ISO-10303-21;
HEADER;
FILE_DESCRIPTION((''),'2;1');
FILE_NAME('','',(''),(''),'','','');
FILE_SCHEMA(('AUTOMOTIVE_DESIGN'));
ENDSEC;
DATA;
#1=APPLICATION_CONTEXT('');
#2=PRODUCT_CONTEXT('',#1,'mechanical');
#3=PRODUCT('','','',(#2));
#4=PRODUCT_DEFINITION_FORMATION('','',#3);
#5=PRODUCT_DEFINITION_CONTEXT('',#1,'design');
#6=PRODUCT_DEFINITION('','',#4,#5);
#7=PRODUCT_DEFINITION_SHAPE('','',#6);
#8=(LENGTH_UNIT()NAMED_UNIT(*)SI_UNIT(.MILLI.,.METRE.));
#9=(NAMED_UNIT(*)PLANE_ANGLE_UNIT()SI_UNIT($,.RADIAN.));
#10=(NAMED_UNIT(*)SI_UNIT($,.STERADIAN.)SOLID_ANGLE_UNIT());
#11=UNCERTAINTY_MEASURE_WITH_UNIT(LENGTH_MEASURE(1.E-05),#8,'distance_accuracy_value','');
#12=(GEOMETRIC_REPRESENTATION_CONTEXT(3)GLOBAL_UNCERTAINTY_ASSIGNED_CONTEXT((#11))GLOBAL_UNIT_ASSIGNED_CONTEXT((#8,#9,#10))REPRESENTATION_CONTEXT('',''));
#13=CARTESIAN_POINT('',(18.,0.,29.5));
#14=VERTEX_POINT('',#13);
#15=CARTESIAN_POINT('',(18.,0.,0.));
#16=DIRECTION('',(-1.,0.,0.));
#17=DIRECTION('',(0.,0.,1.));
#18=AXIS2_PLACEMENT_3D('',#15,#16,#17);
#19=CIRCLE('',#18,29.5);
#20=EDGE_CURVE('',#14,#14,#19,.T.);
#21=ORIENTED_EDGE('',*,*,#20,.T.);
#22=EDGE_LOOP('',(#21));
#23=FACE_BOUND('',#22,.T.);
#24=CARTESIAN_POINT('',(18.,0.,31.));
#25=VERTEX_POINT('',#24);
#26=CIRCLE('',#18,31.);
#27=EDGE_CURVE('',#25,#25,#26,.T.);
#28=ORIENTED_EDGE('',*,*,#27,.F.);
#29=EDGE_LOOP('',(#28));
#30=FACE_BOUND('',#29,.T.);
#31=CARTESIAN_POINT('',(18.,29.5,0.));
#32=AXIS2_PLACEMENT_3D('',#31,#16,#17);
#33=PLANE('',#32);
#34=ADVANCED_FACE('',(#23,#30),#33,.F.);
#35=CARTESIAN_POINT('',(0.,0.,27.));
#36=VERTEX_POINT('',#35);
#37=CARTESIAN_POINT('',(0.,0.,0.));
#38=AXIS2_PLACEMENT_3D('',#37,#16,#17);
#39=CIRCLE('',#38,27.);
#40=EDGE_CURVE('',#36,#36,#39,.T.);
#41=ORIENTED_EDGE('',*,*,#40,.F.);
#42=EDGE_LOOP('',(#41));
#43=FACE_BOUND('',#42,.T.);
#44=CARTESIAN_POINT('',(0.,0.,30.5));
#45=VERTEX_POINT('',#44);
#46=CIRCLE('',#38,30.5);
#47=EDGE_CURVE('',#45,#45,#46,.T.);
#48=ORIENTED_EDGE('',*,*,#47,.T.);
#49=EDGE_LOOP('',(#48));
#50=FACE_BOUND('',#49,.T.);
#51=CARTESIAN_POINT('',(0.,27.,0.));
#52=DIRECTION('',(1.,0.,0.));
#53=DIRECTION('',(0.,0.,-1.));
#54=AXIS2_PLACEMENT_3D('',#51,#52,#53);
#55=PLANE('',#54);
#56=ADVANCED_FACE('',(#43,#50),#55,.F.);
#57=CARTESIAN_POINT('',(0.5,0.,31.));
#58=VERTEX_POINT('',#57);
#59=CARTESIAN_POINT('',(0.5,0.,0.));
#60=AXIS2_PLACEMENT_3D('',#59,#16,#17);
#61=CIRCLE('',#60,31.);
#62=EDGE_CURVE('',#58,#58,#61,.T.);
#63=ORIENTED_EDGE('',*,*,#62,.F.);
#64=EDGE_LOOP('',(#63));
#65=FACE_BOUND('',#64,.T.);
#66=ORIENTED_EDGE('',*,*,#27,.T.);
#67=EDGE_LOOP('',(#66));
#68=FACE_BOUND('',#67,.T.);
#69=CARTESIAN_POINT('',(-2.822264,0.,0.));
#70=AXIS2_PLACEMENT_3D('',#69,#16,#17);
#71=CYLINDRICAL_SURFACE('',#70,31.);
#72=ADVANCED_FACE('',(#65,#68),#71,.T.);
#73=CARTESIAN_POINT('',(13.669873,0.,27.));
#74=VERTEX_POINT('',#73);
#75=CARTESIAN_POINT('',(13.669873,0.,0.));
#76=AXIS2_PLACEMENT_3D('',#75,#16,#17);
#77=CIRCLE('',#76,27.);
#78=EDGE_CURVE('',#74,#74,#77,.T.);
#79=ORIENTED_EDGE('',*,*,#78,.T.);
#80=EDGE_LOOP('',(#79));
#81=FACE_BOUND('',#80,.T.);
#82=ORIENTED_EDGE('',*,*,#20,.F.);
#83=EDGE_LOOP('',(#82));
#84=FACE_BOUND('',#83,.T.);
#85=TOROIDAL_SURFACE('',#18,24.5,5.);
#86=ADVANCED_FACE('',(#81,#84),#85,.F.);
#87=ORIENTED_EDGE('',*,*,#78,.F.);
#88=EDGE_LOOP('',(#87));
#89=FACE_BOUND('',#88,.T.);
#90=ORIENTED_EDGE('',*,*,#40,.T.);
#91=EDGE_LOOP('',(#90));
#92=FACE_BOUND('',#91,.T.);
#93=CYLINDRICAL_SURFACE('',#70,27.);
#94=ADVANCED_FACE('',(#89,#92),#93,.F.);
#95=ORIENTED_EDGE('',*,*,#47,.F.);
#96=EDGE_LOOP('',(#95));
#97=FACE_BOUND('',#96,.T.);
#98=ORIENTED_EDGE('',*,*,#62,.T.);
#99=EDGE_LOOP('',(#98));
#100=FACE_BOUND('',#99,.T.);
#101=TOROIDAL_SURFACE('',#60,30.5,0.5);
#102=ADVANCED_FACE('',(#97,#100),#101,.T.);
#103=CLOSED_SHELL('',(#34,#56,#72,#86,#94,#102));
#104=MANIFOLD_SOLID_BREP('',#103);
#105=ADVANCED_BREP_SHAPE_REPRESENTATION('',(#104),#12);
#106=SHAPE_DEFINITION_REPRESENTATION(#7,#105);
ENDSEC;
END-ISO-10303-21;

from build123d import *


with BuildPart() as part:
    # Esquisse1 → Base-Révolution (revolve)
    with BuildSketch(Plane.XY, mode=Mode.PRIVATE) as base_r_volution_sk:
        with BuildLine():
            Line((0, 27), (13.669872981, 27))
            ThreePointArc((13.669872981, 27), (15.5, 28.830127019), (18, 29.5))
            Line((18, 29.5), (18, 31))
            Line((18, 31), (0.5, 31))
            ThreePointArc((0.5, 31), (0.146446609, 30.853553391), (0, 30.5))
            Line((0, 30.5), (0, 27))
        make_face()
    revolve(base_r_volution_sk.sketch.rotate(Axis((-2.822263938, 0, 0), (1, 0, 0)), 90), axis=Axis((-2.822263938, 0, 0), (1, 0, 0)))


solid = part.part
